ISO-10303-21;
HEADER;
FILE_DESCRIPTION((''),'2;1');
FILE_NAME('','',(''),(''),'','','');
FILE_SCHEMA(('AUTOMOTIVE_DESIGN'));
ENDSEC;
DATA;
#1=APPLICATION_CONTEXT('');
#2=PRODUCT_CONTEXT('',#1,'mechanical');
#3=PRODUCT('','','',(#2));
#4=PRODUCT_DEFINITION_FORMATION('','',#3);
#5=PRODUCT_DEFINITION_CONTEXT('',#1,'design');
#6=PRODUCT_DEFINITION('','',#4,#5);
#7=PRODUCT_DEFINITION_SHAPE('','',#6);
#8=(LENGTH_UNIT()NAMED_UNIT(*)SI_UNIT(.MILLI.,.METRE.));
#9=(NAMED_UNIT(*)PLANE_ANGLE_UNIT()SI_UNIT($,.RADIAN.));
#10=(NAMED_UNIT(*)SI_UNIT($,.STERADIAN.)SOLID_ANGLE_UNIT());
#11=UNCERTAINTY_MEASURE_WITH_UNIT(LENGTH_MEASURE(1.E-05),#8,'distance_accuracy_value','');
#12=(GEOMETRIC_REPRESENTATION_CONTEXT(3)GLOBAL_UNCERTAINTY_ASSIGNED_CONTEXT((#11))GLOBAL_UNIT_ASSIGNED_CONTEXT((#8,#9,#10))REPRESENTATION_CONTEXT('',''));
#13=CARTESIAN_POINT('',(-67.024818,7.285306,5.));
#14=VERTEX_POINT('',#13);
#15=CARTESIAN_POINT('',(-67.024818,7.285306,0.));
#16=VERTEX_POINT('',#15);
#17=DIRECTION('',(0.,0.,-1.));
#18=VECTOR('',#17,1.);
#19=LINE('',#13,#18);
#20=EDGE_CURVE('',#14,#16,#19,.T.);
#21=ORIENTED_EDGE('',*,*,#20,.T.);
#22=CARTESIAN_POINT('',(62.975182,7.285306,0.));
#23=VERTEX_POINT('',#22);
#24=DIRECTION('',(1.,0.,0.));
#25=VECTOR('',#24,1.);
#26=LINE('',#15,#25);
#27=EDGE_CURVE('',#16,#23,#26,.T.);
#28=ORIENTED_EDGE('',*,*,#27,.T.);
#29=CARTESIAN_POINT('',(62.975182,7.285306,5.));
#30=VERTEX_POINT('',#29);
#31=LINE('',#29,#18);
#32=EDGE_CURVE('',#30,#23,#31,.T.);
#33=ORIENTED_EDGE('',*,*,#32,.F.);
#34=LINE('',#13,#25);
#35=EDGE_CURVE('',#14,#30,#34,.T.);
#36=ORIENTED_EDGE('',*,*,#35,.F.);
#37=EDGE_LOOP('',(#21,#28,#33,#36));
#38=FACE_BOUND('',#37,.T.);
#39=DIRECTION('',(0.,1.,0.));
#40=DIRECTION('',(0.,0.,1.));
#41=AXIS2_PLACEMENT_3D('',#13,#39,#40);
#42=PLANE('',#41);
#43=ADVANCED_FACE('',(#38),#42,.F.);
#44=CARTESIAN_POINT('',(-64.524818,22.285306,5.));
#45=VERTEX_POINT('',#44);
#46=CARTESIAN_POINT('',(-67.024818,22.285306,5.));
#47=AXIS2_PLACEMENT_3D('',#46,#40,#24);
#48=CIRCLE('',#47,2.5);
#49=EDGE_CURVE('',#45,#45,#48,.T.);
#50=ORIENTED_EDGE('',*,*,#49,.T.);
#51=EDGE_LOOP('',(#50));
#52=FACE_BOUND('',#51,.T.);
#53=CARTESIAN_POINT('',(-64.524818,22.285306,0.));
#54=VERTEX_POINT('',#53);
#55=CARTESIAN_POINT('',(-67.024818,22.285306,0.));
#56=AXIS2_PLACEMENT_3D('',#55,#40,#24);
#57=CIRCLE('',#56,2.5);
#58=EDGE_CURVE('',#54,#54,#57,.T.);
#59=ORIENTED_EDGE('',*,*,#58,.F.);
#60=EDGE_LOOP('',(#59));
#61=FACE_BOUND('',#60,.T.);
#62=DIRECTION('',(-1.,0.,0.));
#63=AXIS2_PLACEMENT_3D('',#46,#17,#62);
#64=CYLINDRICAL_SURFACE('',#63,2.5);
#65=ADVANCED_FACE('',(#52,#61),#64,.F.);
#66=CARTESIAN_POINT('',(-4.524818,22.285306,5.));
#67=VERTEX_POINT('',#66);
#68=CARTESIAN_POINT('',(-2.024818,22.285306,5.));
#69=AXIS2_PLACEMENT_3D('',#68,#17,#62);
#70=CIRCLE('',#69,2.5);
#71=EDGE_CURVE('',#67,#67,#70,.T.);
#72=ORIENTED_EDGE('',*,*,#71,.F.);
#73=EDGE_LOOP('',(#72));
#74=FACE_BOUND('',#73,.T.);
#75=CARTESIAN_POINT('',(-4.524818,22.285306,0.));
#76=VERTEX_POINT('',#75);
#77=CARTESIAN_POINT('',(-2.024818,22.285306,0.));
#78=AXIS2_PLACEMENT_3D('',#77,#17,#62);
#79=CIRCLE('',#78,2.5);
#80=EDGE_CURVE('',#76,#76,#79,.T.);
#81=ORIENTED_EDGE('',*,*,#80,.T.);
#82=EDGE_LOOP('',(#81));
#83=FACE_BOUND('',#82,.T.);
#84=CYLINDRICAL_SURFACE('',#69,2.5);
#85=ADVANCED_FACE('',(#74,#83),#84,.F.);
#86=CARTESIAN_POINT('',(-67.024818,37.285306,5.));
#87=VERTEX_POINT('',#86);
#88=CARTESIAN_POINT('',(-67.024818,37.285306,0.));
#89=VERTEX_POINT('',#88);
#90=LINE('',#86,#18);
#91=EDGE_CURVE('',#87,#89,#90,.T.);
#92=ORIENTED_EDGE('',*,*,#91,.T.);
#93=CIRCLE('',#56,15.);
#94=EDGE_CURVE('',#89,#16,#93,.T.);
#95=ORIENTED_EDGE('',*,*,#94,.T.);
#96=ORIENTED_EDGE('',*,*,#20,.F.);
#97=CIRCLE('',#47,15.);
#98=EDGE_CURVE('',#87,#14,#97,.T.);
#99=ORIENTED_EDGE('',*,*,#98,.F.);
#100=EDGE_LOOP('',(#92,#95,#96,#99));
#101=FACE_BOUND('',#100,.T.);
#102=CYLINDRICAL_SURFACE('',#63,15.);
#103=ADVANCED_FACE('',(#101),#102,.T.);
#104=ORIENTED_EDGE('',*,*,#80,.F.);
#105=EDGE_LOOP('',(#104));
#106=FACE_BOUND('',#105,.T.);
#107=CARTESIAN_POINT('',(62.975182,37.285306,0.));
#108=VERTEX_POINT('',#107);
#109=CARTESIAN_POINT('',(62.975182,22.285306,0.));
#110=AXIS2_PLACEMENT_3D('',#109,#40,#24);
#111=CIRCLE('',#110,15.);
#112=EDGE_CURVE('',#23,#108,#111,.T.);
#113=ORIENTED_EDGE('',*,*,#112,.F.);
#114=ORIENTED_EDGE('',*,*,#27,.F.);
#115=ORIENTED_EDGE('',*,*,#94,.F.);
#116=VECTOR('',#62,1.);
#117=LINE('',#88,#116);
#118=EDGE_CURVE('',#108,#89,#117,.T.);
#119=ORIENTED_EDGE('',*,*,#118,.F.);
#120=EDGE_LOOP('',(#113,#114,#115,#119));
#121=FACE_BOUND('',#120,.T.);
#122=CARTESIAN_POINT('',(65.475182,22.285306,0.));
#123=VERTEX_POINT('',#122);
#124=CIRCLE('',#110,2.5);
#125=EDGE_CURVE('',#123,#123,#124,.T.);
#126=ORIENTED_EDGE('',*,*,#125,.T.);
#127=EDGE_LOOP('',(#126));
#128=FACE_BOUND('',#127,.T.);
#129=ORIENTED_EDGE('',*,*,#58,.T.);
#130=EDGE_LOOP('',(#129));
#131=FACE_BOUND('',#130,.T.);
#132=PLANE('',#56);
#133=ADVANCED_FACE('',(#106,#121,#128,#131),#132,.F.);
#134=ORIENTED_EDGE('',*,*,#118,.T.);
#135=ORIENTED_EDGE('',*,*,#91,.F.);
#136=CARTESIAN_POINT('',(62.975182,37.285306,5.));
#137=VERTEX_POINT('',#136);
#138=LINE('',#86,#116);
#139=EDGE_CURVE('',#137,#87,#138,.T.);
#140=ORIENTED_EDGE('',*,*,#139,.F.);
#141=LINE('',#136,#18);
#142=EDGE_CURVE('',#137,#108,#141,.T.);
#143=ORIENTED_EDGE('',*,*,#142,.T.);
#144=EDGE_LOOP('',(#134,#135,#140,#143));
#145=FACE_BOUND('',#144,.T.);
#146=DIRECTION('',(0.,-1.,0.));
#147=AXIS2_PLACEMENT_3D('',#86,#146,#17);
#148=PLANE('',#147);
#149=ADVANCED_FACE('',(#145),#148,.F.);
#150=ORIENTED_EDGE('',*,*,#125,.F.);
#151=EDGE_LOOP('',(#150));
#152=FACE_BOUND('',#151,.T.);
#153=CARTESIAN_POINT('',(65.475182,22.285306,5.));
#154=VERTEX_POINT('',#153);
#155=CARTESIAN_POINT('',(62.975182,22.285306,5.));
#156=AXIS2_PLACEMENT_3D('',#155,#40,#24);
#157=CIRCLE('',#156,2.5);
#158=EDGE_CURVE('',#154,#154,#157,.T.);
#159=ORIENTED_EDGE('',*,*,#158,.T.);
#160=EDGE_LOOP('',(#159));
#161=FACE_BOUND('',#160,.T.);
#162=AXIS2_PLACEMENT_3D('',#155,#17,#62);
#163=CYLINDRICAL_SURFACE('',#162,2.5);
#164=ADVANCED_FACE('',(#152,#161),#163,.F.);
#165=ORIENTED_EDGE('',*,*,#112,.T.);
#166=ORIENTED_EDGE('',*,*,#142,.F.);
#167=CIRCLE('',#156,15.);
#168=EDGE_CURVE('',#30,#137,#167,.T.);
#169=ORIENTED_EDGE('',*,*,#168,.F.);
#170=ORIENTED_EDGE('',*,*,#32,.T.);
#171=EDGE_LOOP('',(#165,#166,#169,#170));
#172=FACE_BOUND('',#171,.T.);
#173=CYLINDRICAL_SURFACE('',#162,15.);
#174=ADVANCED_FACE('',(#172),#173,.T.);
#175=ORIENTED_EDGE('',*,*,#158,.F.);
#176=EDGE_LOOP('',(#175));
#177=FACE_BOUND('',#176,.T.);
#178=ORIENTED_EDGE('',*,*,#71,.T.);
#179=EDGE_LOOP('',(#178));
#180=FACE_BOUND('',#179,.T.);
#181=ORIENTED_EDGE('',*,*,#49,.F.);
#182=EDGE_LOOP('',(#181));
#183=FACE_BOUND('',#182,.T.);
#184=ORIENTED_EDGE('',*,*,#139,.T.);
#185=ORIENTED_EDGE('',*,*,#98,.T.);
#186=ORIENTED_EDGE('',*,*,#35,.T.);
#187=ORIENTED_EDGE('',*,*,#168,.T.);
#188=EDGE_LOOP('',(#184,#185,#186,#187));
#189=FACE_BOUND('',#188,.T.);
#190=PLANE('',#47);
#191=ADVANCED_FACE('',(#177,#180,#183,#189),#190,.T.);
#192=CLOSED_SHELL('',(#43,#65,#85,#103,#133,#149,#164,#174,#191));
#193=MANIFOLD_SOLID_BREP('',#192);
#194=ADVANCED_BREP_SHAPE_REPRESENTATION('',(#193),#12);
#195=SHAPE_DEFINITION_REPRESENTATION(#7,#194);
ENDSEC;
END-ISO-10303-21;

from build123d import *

# Parameters (mm, degrees)
SKETCH1_R           = 2.5
BOSS_EXTRUDE1_DEPTH = 5
SKETCH2_R           = 2.5
CUT_EXTRUDE1_DEPTH  = 5


with BuildPart() as part:
    # Sketch1 → Boss-Extrude1 (new body)
    with BuildSketch(Plane.XY):
        with BuildLine():
            Line((-67.024818312, 37.285306338), (62.975181688, 37.285306338))
            ThreePointArc((62.975181688, 37.285306338), (77.975181688, 22.285306338), (62.975181688, 7.285306338))
            Line((62.975181688, 7.285306338), (-67.024818312, 7.285306338))
            ThreePointArc((-67.024818312, 7.285306338), (-82.024818312, 22.285306338), (-67.024818312, 37.285306338))
        make_face()
        with Locations((-67.024818312, 22.285306338)):
            Circle(SKETCH1_R, mode=Mode.SUBTRACT)
        with Locations((62.975181688, 22.285306338)):
            Circle(SKETCH1_R, mode=Mode.SUBTRACT)
    extrude(amount=BOSS_EXTRUDE1_DEPTH)

    # Sketch2 → Cut-Extrude1 (cut)
    with BuildSketch(Plane(origin=(0, 0, 0), x_dir=(-1, 0, 0), z_dir=(0, 0, -1))):
        with Locations((2.024818312, 22.285306338)):
            Circle(SKETCH2_R)
    extrude(amount=-CUT_EXTRUDE1_DEPTH, mode=Mode.SUBTRACT)


solid = part.part
